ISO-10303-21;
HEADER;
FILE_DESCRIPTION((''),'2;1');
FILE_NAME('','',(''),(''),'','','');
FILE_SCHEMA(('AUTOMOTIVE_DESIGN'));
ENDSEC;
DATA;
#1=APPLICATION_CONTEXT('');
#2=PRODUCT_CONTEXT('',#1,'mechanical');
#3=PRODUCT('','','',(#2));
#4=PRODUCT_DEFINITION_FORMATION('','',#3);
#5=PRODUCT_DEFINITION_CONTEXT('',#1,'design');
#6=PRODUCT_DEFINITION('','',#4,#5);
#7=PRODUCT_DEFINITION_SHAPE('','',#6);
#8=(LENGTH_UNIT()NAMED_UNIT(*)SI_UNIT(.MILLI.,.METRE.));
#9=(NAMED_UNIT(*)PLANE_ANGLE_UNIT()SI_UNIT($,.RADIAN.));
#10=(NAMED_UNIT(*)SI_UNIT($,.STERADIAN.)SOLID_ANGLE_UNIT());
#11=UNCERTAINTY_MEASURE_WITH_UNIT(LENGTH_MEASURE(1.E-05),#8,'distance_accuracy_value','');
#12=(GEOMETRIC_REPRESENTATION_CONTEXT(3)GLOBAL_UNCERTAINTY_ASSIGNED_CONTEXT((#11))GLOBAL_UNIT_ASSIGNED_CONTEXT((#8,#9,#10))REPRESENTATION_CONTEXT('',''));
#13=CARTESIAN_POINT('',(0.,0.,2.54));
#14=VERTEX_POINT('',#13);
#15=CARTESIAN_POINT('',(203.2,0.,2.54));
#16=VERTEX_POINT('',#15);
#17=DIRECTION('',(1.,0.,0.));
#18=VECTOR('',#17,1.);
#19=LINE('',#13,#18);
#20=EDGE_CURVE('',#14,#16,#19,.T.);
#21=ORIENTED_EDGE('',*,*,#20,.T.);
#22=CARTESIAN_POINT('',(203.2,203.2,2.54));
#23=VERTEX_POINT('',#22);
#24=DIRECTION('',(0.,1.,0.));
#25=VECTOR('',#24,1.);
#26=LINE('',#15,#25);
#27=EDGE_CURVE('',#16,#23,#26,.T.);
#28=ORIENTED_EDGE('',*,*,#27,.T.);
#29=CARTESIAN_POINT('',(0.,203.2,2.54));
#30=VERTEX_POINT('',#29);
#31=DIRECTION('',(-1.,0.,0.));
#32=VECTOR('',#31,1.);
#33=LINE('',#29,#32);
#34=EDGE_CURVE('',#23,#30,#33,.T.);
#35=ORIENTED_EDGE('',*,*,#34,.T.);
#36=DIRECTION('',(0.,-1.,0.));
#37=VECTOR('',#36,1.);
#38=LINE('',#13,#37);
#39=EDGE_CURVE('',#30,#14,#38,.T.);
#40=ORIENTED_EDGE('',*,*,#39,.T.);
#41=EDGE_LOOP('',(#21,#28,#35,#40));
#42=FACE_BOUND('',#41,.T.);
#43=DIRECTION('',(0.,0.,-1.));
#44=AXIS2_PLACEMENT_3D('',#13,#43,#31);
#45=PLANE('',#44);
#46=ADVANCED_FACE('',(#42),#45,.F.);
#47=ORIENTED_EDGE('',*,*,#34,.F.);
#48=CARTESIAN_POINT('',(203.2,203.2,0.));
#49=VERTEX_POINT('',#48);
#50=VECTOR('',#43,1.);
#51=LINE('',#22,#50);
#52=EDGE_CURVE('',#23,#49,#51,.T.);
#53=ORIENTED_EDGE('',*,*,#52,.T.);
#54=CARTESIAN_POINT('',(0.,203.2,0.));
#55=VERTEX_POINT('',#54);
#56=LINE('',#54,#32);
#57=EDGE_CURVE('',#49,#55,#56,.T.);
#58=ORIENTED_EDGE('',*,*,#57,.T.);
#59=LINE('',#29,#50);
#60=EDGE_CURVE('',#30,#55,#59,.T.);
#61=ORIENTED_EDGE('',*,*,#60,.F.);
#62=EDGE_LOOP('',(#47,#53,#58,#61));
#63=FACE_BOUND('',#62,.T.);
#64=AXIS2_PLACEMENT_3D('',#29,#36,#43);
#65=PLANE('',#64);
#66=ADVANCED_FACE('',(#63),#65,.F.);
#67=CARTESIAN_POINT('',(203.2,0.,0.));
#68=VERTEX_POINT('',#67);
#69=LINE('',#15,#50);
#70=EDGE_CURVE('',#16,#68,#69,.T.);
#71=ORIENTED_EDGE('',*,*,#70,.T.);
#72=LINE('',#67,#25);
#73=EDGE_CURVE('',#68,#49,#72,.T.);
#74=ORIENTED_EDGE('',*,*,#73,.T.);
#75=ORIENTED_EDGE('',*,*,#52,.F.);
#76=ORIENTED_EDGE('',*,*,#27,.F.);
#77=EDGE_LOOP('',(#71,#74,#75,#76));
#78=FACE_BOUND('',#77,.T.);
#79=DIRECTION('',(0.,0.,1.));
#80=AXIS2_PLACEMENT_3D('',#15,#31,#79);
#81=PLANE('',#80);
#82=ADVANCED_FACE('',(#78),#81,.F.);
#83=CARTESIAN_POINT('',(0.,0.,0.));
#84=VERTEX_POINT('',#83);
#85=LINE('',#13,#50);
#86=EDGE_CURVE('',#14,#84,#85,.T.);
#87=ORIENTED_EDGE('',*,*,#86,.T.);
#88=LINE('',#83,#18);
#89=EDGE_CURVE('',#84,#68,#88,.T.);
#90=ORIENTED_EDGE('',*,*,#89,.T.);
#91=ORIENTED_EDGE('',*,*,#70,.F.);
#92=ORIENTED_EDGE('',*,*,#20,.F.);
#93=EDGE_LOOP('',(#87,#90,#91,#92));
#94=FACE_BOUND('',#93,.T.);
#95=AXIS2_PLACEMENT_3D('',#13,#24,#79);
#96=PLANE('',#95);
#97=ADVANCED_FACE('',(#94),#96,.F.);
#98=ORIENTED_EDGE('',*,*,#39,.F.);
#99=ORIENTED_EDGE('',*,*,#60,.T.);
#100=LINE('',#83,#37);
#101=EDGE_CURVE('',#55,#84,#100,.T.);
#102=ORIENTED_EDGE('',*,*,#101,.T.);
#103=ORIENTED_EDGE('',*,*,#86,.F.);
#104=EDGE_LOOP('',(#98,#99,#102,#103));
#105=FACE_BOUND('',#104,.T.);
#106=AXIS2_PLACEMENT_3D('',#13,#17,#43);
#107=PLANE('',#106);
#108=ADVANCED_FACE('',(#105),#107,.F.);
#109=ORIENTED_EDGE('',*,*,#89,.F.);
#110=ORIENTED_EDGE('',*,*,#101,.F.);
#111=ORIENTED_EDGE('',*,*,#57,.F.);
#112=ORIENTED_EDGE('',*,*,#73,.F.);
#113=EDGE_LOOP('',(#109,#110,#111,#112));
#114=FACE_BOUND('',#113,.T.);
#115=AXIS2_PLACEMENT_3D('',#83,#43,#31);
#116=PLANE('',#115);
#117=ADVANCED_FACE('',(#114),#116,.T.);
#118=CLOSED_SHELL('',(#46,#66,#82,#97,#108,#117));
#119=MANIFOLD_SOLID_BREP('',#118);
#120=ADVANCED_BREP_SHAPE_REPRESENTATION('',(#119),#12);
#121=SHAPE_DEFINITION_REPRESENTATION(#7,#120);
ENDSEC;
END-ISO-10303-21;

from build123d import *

# Parameters (mm, degrees)
SKETCH1_W           = 203.2
SKETCH1_H           = 203.2
BOSS_EXTRUDE1_DEPTH = 2.54


with BuildPart() as part:
    # Sketch1 → Boss-Extrude1 (new body)
    with BuildSketch(Plane.XY):
        with Locations((101.6, 101.6)):
            Rectangle(SKETCH1_W, SKETCH1_H)
    extrude(amount=BOSS_EXTRUDE1_DEPTH)


solid = part.part
